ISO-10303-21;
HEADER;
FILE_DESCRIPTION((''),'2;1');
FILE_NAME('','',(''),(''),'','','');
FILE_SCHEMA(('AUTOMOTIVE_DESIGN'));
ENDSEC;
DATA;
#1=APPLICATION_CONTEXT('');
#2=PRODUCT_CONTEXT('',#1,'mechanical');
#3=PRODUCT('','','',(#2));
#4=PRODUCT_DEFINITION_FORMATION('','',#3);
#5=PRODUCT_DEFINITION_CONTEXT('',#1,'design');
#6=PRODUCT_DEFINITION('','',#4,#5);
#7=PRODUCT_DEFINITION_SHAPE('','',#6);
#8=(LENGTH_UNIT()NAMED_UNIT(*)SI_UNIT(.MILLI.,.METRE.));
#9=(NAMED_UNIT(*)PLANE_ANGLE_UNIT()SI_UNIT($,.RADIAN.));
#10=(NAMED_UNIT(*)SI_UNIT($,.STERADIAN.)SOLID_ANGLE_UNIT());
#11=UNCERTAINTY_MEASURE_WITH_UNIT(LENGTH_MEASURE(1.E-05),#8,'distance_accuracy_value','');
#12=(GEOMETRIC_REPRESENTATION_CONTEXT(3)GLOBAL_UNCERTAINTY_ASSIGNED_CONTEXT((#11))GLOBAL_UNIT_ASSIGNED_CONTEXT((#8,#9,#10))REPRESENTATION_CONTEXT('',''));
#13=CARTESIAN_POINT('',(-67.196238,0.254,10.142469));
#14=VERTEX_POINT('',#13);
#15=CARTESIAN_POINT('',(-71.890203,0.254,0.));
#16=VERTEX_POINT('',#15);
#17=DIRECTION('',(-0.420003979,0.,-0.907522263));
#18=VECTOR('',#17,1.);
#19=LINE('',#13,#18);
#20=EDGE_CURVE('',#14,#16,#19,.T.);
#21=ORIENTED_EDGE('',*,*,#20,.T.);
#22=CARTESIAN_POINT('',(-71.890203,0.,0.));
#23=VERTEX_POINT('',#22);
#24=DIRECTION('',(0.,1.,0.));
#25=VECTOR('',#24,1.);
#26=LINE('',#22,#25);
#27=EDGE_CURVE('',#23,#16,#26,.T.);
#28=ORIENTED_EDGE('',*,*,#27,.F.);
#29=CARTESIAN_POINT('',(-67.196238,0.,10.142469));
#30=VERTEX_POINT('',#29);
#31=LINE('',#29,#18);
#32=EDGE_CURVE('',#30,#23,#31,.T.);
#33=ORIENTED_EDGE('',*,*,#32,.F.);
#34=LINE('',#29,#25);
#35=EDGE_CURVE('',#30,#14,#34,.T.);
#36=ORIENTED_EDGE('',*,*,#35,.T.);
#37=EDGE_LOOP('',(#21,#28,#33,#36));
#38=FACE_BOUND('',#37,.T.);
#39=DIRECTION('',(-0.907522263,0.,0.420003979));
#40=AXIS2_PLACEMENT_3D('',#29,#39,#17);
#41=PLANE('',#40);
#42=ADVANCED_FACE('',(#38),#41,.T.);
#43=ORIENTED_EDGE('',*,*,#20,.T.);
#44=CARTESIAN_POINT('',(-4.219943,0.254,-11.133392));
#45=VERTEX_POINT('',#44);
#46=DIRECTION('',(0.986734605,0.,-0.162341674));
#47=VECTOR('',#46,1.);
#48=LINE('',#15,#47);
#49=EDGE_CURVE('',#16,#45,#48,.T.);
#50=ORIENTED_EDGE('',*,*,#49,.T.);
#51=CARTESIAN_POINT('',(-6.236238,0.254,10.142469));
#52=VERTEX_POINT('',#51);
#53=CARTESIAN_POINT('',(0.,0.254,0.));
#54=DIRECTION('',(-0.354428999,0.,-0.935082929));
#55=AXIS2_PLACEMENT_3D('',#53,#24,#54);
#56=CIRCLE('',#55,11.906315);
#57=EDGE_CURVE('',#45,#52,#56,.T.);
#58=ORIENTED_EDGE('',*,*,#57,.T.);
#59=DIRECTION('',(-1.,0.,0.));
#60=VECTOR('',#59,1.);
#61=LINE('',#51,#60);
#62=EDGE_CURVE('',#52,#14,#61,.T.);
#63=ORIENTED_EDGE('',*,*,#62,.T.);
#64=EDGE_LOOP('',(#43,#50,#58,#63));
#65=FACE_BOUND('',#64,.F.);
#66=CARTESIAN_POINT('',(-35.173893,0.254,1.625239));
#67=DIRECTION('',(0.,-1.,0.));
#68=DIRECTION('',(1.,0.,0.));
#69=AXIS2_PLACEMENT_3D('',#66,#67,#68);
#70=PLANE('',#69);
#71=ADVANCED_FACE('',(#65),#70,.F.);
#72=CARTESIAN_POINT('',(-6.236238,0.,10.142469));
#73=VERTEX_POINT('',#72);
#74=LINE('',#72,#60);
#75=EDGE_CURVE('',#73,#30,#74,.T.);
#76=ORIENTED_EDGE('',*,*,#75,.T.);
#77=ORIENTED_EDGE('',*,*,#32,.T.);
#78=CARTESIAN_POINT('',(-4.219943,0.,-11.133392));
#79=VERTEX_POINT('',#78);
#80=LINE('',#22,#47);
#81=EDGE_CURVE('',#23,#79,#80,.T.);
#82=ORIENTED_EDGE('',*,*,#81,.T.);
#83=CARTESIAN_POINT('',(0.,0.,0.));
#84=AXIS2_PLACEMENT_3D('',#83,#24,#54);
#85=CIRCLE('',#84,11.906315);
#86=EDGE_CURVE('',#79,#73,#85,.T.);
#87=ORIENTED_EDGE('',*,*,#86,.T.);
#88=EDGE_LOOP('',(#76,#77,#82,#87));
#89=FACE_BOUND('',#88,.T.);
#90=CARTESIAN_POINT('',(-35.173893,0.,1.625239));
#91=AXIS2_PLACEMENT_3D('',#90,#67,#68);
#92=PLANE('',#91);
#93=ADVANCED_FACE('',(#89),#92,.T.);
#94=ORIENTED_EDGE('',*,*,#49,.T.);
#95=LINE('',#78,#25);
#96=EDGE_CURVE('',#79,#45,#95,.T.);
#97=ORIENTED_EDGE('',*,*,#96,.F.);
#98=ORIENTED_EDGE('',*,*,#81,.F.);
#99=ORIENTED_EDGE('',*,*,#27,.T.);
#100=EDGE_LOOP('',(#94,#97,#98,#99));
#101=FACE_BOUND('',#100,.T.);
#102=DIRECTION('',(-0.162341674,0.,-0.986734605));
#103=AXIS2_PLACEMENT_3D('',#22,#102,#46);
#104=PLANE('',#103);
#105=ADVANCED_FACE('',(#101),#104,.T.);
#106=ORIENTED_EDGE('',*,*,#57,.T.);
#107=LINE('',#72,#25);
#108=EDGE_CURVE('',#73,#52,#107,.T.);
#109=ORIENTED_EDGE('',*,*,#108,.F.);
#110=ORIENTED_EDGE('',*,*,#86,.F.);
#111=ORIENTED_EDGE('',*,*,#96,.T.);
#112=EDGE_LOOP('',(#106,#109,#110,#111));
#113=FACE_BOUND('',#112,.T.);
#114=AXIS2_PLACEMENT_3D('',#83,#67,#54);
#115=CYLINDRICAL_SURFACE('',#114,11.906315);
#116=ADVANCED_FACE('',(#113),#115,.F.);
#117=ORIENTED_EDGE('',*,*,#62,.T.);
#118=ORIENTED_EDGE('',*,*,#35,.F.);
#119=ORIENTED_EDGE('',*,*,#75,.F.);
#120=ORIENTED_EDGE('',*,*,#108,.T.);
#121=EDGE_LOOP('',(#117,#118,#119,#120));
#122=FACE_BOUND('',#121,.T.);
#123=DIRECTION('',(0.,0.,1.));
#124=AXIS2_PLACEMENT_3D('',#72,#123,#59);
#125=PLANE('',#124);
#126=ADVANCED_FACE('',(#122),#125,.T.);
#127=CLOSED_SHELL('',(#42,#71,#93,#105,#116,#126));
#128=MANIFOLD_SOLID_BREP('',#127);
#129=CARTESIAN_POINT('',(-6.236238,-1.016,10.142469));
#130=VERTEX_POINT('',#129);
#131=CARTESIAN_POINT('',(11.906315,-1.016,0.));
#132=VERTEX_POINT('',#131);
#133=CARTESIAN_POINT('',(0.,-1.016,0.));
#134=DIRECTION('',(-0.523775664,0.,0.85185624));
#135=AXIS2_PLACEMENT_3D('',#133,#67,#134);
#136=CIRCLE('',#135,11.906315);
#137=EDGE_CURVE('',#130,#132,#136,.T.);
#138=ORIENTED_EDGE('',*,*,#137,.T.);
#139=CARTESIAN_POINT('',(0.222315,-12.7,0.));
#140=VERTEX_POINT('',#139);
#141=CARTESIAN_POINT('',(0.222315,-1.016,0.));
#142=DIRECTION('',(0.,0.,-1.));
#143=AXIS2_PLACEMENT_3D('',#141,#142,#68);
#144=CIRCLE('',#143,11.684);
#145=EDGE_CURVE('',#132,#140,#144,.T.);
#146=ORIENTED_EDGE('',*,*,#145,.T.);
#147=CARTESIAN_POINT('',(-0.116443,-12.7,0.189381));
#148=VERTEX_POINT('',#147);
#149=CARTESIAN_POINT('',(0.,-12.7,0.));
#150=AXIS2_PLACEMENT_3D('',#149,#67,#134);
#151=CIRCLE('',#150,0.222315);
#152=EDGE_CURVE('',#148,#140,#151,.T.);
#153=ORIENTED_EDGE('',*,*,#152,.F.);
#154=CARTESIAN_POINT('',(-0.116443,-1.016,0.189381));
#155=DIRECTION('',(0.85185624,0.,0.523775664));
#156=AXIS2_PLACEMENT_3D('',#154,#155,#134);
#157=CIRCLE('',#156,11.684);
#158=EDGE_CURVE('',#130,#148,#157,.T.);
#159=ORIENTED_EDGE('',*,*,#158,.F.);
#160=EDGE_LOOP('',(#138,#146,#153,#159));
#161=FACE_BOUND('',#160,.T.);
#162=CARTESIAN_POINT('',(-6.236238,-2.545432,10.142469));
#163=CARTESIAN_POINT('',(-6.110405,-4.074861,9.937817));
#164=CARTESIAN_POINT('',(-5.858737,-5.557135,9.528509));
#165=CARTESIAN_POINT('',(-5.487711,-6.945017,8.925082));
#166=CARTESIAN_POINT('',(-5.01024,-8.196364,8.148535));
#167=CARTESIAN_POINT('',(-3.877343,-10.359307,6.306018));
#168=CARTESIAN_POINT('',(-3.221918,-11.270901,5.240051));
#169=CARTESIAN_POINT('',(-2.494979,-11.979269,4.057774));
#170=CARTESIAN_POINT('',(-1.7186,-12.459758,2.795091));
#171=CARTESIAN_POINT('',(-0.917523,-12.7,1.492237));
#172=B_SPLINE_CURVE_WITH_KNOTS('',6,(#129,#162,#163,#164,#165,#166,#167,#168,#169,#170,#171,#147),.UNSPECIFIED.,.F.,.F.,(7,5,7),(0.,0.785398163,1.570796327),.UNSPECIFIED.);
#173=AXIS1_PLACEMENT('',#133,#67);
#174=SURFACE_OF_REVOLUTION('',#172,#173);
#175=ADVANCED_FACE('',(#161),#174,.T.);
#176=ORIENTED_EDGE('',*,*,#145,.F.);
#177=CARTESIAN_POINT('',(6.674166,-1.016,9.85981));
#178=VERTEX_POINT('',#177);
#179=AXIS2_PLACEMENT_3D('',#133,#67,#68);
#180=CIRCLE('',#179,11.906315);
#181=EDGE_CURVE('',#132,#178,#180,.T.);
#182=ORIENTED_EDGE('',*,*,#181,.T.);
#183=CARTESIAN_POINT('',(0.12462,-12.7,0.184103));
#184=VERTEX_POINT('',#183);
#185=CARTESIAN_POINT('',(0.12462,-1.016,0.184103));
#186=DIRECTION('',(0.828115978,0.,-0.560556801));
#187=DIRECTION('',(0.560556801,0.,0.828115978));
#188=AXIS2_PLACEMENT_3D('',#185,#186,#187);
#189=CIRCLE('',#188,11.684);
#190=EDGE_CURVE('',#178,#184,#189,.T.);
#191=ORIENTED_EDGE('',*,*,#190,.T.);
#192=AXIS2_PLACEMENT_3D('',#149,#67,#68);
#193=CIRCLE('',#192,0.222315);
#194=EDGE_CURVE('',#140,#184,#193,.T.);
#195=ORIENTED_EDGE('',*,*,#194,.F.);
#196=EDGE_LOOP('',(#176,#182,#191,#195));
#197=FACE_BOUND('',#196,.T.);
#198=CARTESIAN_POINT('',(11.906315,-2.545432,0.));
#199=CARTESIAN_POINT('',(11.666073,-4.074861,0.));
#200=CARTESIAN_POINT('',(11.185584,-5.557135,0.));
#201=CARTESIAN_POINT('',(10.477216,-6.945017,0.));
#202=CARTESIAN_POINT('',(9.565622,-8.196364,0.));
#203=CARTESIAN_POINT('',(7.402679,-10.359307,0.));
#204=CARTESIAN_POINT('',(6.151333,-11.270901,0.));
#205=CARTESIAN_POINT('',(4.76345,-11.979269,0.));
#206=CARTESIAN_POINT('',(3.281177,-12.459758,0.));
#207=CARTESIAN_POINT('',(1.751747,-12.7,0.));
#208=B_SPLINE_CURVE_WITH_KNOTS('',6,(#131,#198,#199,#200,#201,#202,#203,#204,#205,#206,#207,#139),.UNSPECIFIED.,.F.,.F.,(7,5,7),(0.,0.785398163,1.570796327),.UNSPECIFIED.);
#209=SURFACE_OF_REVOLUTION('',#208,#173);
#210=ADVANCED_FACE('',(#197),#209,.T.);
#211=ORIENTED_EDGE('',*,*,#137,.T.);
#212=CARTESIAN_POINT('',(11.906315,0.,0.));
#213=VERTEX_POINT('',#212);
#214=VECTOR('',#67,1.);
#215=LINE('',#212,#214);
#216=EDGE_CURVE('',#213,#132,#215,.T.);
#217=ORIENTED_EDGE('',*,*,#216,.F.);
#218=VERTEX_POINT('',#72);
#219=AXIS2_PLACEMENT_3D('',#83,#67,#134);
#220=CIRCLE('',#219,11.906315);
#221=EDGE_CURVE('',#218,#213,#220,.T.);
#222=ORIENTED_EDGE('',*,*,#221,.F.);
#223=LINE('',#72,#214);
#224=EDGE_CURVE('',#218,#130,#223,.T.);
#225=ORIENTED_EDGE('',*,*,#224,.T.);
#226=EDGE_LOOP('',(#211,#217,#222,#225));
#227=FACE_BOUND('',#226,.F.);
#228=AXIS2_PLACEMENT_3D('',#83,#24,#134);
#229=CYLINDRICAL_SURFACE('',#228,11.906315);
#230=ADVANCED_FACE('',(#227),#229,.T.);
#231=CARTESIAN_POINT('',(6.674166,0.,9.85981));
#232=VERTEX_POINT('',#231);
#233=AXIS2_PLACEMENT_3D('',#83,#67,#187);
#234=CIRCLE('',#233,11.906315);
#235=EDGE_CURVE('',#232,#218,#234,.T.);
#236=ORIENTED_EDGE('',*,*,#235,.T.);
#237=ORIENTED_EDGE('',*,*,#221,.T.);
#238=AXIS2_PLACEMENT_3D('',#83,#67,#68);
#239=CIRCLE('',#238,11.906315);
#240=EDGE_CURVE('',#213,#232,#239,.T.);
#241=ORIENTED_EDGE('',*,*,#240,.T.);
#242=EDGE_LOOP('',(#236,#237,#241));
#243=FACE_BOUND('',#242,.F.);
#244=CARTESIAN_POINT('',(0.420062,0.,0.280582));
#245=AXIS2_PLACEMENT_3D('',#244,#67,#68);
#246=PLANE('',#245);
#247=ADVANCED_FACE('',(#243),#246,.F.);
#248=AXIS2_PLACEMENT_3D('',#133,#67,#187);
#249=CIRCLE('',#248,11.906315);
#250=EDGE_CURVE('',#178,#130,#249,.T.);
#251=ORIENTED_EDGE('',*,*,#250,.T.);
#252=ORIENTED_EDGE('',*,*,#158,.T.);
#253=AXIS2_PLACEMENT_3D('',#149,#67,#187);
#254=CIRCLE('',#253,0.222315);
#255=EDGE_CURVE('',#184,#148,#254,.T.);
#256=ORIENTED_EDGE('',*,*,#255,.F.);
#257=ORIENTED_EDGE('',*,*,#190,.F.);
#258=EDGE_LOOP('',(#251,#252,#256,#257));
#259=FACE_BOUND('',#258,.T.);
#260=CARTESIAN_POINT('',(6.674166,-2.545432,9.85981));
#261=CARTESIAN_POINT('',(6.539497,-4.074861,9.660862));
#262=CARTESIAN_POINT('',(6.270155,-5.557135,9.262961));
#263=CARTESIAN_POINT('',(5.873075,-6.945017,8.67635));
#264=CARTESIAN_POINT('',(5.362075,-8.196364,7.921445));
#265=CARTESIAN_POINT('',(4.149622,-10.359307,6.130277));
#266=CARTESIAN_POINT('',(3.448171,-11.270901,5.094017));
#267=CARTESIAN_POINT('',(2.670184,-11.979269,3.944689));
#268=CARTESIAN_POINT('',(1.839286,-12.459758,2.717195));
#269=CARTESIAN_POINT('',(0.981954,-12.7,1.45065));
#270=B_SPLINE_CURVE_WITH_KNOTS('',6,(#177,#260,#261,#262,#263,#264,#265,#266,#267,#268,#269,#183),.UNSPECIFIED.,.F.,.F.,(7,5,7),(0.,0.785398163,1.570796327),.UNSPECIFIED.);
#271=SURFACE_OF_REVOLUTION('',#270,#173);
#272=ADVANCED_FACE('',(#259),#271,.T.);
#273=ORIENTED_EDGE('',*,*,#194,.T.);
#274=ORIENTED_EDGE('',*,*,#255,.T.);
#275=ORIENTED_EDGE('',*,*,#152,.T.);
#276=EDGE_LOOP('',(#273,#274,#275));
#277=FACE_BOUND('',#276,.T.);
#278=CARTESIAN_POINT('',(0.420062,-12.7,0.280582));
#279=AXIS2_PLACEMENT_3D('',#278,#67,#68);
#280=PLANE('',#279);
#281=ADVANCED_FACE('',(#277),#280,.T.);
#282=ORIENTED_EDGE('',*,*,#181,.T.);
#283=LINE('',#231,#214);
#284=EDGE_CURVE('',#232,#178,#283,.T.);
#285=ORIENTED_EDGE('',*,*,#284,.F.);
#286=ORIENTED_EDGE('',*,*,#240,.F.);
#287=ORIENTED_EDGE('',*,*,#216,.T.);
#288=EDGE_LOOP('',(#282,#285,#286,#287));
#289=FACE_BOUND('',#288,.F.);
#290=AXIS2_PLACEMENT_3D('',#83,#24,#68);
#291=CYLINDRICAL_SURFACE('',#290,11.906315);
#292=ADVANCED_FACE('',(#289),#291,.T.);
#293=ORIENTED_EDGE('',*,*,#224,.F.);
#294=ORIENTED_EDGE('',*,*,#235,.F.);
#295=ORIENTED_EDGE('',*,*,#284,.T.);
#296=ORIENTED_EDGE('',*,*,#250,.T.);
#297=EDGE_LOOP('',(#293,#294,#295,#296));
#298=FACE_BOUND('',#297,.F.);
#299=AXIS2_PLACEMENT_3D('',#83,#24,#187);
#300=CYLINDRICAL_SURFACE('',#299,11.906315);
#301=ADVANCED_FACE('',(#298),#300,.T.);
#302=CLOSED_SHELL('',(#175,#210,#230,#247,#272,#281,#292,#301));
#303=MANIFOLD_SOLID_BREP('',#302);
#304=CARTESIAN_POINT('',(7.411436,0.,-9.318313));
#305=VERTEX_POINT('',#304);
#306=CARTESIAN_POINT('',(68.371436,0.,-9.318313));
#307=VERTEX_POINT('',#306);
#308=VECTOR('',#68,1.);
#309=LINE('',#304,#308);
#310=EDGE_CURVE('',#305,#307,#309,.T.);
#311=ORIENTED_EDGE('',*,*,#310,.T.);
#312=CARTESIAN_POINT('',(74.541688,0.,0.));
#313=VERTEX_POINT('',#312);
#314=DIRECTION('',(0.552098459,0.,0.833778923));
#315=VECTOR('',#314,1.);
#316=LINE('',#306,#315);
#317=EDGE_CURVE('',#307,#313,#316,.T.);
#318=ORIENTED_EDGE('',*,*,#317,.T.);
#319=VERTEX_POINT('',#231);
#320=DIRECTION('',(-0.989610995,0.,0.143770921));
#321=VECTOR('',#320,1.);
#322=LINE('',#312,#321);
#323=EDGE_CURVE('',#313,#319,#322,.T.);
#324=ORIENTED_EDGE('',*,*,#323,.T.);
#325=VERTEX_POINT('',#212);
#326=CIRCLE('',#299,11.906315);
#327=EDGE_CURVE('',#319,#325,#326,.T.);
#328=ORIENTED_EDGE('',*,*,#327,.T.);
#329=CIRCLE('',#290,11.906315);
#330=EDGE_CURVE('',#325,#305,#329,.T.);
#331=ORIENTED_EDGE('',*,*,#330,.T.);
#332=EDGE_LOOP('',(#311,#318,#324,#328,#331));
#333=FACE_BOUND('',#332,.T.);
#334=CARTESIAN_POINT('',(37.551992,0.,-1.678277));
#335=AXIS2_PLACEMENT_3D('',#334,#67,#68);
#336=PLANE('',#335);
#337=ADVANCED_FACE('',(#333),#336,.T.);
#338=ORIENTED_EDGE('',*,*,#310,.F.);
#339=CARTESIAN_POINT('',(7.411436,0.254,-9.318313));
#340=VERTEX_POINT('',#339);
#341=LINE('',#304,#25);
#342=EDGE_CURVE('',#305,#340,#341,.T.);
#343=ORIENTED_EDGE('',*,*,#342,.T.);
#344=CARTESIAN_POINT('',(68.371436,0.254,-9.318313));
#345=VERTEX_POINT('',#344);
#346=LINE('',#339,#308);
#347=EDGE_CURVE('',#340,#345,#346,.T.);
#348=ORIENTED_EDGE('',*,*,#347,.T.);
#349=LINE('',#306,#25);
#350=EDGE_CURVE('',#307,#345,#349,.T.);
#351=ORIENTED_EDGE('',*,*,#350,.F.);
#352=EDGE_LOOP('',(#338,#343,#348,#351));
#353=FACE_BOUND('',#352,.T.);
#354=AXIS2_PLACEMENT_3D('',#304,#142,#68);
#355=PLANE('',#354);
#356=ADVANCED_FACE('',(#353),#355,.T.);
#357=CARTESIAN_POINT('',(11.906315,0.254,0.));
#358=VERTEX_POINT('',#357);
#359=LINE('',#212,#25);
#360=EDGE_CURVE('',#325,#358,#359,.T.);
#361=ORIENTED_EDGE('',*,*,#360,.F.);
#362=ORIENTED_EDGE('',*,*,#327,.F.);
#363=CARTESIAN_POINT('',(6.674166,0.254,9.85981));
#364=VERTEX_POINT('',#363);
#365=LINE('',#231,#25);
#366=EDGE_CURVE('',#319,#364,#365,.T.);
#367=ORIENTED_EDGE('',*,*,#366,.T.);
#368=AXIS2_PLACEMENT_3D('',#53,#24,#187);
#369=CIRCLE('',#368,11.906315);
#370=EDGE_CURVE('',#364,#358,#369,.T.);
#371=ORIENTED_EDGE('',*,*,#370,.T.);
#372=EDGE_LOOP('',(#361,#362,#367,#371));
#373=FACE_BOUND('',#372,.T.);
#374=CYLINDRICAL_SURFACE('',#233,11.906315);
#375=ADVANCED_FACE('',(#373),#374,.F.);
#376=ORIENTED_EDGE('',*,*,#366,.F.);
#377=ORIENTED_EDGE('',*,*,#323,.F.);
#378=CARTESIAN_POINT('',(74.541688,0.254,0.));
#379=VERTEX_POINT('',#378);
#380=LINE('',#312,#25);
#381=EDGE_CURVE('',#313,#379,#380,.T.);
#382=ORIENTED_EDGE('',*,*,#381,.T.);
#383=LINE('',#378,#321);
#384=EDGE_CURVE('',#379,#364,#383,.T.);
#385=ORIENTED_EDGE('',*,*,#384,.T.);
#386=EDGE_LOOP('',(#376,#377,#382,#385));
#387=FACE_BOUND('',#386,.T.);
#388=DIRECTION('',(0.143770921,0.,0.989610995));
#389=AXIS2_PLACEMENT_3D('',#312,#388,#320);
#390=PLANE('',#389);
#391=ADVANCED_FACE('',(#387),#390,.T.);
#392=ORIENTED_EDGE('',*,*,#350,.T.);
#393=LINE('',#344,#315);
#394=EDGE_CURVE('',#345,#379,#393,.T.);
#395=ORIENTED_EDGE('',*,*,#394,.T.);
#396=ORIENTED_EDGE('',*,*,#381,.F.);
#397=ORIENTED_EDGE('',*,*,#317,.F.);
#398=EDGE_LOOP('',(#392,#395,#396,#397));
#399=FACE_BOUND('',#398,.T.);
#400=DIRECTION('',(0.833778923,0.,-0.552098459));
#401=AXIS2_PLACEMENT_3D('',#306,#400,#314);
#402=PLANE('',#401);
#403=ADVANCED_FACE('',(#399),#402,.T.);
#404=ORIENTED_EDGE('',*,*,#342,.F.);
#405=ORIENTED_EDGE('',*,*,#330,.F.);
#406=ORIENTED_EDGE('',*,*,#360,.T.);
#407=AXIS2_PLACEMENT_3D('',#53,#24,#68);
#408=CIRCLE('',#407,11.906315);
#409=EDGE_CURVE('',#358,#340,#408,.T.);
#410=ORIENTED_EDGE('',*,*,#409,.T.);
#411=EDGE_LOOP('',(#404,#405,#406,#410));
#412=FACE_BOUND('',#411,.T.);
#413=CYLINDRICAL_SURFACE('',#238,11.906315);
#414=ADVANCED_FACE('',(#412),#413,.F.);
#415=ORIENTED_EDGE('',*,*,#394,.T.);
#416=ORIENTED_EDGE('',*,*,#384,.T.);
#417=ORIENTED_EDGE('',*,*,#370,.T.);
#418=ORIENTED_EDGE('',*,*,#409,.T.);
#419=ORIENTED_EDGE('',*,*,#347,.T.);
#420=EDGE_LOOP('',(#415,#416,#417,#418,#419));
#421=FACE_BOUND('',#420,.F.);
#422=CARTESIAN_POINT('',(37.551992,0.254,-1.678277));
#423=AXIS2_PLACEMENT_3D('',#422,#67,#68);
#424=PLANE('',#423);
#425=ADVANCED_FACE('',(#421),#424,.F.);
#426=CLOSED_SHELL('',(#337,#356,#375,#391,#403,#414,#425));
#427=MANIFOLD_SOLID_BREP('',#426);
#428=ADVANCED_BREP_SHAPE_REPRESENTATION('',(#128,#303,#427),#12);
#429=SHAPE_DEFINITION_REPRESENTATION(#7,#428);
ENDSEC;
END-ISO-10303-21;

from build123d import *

# Parameters (mm, degrees)
F1_DEPTH = 12.7
F2_R     = 11.684
F3_DEPTH = 0.254


with BuildPart() as f1:
    # F0 (on Front) → F1 (new body)
    with BuildSketch(Plane.XZ):
        with BuildLine():
            ThreePointArc((7.411435592, -9.3183132406), (10.7238805165, -5.1728837076), (11.9063150968, 0))
            ThreePointArc((11.9063150968, 0), (10.5172491983, 5.581022172), (6.6741659001, 9.8598097711))
            ThreePointArc((6.6741659001, 9.8598097711), (0.2606131679, 11.9034625198), (-6.2362380975, 10.1424688107))
            ThreePointArc((-6.2362380975, 10.1424688107), (-11.8532061428, -1.1233179959), (-4.2199433469, -11.1333919958))
            ThreePointArc((-4.2199433469, -11.1333919958), (1.8357650747, -11.7639409117), (7.411435592, -9.3183132406))
        make_face()
    extrude(amount=F1_DEPTH)

    # F2
    f2_edges = [f1.edges().sort_by_distance(p)[0] for p in [
        (4.219943, -12.7, 11.133392),
    ]]
    fillet(f2_edges, radius=F2_R)


with BuildPart() as f3:
    # F0 (on Front) → F3 (new body)
    with BuildSketch(Plane.XZ):
        with BuildLine():
            ThreePointArc((-4.2199433469, -11.1333919958), (-11.8532061428, -1.1233179959), (-6.2362380975, 10.1424688107))
            Line((-6.2362380975, 10.1424688107), (-67.1962380975, 10.1424688107))
            Line((-67.1962380975, 10.1424688107), (-71.8902025652, 0))
            Line((-71.8902025652, 0), (-4.2199433469, -11.1333919958))
        make_face()
    extrude(amount=-F3_DEPTH)


with BuildPart() as f3b:
    # F0 (on Front) → F3, piece 2 (new body)
    with BuildSketch(Plane.XZ):
        with BuildLine():
            ThreePointArc((6.6741659001, 9.8598097711), (10.5172491983, 5.581022172), (11.9063150968, 0))
            ThreePointArc((11.9063150968, 0), (10.7238805165, -5.1728837076), (7.411435592, -9.3183132406))
            Line((7.411435592, -9.3183132406), (68.371435592, -9.3183132406))
            Line((68.371435592, -9.3183132406), (74.5416879654, 0))
            Line((74.5416879654, 0), (6.6741659001, 9.8598097711))
        make_face()
    extrude(amount=-F3_DEPTH)


solid = Compound([f1.part, f3.part, f3b.part])
